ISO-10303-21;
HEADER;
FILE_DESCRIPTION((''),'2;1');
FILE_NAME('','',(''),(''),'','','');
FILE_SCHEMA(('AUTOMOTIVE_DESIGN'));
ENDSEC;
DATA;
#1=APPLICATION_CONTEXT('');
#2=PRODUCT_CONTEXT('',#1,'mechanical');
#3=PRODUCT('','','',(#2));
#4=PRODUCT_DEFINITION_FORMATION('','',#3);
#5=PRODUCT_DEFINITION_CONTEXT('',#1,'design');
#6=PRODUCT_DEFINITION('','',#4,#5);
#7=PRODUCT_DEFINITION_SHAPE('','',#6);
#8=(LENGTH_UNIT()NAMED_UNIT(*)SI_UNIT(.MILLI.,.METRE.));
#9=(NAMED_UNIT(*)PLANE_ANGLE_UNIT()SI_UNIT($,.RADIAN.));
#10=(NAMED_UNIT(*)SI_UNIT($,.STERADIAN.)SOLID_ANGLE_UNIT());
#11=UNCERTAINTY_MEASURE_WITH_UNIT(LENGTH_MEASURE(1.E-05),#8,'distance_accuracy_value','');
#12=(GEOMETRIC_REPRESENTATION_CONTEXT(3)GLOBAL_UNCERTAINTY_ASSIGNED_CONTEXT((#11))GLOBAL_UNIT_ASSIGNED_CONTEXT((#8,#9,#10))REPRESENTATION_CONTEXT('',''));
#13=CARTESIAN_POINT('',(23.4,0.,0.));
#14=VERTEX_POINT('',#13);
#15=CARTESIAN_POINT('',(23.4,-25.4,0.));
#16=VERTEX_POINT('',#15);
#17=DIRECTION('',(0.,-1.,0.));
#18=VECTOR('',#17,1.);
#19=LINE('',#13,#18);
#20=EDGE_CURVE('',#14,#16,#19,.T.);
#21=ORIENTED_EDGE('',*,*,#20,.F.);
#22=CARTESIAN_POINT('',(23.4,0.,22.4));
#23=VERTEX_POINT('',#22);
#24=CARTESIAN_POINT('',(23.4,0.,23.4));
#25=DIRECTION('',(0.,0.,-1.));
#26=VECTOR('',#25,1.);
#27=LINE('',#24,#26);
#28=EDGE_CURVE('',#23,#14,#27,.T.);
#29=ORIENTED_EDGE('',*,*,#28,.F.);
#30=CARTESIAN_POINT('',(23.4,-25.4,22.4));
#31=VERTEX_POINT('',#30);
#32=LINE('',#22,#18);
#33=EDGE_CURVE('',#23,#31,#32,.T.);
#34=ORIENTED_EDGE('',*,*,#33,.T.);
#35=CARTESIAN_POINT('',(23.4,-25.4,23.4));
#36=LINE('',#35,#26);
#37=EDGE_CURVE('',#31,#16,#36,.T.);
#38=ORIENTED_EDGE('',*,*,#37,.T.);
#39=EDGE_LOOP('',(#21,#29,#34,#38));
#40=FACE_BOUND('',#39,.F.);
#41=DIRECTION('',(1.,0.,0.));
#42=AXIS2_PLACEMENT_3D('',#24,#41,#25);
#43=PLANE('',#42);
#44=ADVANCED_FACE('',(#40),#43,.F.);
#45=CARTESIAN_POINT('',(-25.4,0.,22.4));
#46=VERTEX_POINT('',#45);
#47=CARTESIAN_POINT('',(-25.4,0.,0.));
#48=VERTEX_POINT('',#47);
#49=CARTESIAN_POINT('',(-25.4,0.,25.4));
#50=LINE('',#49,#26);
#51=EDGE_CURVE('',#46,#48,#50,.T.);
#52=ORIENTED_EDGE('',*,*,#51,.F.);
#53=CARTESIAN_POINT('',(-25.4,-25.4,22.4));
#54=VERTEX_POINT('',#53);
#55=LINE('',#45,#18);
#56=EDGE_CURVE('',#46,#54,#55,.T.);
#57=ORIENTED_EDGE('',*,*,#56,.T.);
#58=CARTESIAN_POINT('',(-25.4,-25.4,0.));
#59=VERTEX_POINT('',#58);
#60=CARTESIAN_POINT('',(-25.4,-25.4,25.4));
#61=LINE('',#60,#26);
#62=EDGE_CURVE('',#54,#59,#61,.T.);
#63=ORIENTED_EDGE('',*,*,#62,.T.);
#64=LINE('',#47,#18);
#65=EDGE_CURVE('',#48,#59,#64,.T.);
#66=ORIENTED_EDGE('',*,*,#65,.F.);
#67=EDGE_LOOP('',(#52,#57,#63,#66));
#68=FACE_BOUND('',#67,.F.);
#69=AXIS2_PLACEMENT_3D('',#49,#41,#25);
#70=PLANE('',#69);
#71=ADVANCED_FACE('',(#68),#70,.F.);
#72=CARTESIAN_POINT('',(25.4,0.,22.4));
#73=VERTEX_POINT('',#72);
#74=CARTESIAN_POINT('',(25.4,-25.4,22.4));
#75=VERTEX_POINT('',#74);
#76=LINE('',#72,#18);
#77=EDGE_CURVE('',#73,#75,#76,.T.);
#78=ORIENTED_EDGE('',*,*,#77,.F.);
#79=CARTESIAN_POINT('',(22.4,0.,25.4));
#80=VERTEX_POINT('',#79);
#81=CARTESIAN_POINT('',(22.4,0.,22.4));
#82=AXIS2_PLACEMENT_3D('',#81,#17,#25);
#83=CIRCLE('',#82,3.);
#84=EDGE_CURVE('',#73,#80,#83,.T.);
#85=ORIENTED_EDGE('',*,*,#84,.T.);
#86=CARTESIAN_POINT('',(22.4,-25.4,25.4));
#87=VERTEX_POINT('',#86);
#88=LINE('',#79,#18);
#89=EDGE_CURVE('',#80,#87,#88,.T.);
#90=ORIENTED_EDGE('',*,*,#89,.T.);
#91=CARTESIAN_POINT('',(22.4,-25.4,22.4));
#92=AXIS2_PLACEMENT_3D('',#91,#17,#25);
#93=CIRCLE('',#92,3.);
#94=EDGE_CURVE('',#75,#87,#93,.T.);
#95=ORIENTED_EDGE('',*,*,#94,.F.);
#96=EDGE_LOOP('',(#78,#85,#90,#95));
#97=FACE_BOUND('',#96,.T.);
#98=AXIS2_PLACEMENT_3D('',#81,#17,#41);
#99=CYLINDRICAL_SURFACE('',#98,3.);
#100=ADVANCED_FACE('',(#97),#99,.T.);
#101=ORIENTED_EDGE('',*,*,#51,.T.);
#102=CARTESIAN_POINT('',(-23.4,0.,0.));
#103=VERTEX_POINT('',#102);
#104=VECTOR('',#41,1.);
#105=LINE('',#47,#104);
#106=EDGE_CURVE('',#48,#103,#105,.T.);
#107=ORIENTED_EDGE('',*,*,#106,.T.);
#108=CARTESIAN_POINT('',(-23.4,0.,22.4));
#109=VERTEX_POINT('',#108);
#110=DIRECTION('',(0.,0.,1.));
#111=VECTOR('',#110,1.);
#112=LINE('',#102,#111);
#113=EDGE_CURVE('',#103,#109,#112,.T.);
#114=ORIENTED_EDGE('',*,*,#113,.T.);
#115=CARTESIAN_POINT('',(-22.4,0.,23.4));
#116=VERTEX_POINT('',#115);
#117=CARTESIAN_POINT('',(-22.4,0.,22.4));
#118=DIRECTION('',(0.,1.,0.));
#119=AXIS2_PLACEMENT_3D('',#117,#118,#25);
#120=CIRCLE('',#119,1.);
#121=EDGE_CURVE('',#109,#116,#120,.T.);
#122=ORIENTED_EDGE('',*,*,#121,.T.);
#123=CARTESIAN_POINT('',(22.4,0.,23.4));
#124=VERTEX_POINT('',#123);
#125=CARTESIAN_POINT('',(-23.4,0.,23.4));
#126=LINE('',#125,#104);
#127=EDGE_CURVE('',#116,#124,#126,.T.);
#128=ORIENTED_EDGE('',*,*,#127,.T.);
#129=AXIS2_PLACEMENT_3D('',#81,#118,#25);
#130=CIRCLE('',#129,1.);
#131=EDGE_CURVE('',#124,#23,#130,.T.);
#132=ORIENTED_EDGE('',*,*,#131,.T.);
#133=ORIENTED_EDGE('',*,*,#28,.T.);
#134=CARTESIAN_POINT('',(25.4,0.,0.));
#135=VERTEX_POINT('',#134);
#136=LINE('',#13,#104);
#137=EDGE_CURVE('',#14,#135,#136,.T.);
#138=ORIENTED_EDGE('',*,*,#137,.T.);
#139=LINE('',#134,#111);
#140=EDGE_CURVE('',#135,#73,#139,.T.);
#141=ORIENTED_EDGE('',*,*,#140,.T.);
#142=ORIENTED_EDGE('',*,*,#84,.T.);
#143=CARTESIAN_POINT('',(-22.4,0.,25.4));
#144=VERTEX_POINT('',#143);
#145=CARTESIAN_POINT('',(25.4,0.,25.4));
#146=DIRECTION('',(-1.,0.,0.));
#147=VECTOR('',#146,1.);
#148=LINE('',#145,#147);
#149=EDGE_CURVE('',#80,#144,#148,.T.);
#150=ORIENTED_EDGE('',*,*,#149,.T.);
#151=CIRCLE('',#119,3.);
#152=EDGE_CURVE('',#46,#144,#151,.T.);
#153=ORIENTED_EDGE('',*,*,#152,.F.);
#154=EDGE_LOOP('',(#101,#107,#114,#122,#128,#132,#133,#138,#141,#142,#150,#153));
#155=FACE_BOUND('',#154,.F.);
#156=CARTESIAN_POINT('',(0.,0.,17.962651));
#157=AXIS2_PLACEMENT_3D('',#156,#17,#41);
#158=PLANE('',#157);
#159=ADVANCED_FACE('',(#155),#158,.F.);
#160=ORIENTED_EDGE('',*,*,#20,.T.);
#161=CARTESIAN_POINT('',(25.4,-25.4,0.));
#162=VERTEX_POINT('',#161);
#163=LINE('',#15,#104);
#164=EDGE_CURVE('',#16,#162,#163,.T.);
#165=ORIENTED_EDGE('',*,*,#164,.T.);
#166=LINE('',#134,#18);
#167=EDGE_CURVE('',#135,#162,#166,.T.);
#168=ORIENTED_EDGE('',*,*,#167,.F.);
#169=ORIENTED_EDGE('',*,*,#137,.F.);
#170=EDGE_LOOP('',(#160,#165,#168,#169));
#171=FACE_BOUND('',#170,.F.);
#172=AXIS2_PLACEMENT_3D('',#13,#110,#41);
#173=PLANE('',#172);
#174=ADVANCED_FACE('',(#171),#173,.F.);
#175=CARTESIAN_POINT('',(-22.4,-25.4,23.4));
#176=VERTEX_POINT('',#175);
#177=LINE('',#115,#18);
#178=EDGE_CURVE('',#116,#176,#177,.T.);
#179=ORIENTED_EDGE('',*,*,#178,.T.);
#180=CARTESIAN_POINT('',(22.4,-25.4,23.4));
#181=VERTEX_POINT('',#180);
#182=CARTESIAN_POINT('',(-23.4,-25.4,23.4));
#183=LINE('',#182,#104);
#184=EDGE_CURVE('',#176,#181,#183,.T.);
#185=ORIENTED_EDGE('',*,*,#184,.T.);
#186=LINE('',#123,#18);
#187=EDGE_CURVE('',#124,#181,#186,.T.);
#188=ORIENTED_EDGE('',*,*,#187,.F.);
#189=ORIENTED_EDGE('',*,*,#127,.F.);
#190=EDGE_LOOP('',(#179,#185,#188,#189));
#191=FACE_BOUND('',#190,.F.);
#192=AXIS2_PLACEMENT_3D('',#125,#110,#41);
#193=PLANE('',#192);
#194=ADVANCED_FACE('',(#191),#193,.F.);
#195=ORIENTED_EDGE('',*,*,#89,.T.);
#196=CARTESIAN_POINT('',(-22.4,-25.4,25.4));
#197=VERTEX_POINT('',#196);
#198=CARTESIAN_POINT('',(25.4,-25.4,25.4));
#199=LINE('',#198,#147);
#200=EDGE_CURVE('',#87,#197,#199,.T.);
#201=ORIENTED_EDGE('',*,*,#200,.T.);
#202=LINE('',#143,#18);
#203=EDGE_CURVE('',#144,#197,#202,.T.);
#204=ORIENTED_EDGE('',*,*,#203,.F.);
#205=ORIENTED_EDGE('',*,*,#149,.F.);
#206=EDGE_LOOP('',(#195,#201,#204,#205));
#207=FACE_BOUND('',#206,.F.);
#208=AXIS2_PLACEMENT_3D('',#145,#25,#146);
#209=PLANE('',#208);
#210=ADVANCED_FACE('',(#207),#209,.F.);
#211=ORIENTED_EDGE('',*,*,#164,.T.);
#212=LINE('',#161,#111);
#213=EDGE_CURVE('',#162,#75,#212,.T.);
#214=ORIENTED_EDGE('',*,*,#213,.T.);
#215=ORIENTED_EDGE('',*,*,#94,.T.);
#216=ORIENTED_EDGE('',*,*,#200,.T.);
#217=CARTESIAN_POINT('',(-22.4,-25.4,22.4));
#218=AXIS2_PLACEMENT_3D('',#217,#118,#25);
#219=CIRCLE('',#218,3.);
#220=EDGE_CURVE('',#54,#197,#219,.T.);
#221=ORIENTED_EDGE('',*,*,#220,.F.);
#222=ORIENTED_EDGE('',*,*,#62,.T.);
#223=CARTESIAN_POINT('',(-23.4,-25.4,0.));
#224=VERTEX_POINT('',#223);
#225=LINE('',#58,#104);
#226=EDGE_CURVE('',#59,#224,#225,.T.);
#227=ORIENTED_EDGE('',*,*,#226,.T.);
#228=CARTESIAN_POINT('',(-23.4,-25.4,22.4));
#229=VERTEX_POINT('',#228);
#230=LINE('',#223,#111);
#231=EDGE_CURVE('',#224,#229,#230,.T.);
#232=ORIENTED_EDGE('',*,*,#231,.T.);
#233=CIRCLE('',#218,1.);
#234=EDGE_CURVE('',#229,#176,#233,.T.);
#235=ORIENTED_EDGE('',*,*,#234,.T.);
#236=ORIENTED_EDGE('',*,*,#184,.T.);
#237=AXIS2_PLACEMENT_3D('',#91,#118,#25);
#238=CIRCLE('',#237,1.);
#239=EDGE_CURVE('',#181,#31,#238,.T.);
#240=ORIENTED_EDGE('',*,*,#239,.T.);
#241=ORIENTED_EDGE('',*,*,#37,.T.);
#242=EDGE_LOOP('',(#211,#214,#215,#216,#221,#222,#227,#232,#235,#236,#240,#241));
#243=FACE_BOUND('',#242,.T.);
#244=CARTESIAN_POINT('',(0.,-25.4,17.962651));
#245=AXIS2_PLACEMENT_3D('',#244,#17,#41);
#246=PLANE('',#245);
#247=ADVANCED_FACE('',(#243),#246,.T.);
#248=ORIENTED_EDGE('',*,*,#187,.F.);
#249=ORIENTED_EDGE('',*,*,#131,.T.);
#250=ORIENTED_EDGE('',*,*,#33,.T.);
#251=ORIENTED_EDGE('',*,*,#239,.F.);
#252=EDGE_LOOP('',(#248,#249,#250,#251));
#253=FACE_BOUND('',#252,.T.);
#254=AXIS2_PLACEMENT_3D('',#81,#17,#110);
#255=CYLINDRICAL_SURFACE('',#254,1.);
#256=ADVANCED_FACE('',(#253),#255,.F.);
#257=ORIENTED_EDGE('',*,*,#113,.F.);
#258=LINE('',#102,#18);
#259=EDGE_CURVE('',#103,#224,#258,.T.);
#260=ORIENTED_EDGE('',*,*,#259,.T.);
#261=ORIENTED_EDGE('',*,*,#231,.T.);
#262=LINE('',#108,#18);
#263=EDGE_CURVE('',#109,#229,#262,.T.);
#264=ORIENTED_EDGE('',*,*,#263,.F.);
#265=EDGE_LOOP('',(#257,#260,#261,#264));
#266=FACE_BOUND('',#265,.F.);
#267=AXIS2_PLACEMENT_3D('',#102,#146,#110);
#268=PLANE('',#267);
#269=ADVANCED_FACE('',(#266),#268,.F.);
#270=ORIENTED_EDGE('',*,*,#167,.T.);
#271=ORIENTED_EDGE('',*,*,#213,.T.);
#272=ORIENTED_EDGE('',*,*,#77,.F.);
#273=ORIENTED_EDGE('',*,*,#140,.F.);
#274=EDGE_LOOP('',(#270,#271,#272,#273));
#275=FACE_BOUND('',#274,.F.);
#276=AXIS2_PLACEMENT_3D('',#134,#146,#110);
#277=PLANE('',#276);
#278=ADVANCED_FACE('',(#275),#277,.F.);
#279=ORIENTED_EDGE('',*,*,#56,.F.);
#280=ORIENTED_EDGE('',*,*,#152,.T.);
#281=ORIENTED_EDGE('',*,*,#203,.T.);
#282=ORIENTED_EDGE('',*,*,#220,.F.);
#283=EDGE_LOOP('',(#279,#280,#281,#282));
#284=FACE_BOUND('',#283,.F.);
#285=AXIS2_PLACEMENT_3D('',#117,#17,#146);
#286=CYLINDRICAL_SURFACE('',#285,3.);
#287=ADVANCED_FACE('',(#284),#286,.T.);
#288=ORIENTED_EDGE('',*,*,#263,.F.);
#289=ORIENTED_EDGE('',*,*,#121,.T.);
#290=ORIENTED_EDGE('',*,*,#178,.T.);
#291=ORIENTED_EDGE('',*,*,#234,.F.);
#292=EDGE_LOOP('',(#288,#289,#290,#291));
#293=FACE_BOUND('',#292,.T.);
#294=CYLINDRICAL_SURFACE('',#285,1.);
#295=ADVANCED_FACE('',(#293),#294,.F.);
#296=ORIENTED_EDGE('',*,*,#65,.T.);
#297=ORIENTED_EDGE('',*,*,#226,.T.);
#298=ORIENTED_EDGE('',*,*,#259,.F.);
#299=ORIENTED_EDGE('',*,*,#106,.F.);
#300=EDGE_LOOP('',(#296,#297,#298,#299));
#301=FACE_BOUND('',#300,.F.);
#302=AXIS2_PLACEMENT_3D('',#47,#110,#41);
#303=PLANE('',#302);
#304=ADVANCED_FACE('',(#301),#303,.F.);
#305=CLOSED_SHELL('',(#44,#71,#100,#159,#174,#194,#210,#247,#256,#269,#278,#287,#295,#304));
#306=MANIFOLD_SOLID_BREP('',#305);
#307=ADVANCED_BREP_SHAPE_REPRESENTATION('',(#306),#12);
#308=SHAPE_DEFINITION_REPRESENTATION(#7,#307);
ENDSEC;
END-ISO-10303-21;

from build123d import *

# Parameters (mm, degrees)
F1_DEPTH = 25.4
F2_R     = 3
F3_R     = 1


with BuildPart() as f1:
    # F0 (on Front) → F1 (new body)
    with BuildSketch(Plane.XZ):
        Polygon((-25.4, 25.4), (-25.4, 0), (-23.4, 0), (-23.4, 23.4), (0, 23.4), (23.4, 23.4), (23.4, 0), (25.4, 0), (25.4, 25.4), (0, 25.4), align=None)
    extrude(amount=F1_DEPTH)

    # F2
    f2_edges = [f1.edges().sort_by_distance(p)[0] for p in [
        (25.4, -12.7, 25.4),
        (-25.4, -12.7, 25.4),
    ]]
    fillet(f2_edges, radius=F2_R)

    # F3
    f3_edges = [f1.edges().sort_by_distance(p)[0] for p in [
        (-23.4, -12.7, 23.4),
        (23.4, -12.7, 23.4),
    ]]
    fillet(f3_edges, radius=F3_R)


solid = f1.part
